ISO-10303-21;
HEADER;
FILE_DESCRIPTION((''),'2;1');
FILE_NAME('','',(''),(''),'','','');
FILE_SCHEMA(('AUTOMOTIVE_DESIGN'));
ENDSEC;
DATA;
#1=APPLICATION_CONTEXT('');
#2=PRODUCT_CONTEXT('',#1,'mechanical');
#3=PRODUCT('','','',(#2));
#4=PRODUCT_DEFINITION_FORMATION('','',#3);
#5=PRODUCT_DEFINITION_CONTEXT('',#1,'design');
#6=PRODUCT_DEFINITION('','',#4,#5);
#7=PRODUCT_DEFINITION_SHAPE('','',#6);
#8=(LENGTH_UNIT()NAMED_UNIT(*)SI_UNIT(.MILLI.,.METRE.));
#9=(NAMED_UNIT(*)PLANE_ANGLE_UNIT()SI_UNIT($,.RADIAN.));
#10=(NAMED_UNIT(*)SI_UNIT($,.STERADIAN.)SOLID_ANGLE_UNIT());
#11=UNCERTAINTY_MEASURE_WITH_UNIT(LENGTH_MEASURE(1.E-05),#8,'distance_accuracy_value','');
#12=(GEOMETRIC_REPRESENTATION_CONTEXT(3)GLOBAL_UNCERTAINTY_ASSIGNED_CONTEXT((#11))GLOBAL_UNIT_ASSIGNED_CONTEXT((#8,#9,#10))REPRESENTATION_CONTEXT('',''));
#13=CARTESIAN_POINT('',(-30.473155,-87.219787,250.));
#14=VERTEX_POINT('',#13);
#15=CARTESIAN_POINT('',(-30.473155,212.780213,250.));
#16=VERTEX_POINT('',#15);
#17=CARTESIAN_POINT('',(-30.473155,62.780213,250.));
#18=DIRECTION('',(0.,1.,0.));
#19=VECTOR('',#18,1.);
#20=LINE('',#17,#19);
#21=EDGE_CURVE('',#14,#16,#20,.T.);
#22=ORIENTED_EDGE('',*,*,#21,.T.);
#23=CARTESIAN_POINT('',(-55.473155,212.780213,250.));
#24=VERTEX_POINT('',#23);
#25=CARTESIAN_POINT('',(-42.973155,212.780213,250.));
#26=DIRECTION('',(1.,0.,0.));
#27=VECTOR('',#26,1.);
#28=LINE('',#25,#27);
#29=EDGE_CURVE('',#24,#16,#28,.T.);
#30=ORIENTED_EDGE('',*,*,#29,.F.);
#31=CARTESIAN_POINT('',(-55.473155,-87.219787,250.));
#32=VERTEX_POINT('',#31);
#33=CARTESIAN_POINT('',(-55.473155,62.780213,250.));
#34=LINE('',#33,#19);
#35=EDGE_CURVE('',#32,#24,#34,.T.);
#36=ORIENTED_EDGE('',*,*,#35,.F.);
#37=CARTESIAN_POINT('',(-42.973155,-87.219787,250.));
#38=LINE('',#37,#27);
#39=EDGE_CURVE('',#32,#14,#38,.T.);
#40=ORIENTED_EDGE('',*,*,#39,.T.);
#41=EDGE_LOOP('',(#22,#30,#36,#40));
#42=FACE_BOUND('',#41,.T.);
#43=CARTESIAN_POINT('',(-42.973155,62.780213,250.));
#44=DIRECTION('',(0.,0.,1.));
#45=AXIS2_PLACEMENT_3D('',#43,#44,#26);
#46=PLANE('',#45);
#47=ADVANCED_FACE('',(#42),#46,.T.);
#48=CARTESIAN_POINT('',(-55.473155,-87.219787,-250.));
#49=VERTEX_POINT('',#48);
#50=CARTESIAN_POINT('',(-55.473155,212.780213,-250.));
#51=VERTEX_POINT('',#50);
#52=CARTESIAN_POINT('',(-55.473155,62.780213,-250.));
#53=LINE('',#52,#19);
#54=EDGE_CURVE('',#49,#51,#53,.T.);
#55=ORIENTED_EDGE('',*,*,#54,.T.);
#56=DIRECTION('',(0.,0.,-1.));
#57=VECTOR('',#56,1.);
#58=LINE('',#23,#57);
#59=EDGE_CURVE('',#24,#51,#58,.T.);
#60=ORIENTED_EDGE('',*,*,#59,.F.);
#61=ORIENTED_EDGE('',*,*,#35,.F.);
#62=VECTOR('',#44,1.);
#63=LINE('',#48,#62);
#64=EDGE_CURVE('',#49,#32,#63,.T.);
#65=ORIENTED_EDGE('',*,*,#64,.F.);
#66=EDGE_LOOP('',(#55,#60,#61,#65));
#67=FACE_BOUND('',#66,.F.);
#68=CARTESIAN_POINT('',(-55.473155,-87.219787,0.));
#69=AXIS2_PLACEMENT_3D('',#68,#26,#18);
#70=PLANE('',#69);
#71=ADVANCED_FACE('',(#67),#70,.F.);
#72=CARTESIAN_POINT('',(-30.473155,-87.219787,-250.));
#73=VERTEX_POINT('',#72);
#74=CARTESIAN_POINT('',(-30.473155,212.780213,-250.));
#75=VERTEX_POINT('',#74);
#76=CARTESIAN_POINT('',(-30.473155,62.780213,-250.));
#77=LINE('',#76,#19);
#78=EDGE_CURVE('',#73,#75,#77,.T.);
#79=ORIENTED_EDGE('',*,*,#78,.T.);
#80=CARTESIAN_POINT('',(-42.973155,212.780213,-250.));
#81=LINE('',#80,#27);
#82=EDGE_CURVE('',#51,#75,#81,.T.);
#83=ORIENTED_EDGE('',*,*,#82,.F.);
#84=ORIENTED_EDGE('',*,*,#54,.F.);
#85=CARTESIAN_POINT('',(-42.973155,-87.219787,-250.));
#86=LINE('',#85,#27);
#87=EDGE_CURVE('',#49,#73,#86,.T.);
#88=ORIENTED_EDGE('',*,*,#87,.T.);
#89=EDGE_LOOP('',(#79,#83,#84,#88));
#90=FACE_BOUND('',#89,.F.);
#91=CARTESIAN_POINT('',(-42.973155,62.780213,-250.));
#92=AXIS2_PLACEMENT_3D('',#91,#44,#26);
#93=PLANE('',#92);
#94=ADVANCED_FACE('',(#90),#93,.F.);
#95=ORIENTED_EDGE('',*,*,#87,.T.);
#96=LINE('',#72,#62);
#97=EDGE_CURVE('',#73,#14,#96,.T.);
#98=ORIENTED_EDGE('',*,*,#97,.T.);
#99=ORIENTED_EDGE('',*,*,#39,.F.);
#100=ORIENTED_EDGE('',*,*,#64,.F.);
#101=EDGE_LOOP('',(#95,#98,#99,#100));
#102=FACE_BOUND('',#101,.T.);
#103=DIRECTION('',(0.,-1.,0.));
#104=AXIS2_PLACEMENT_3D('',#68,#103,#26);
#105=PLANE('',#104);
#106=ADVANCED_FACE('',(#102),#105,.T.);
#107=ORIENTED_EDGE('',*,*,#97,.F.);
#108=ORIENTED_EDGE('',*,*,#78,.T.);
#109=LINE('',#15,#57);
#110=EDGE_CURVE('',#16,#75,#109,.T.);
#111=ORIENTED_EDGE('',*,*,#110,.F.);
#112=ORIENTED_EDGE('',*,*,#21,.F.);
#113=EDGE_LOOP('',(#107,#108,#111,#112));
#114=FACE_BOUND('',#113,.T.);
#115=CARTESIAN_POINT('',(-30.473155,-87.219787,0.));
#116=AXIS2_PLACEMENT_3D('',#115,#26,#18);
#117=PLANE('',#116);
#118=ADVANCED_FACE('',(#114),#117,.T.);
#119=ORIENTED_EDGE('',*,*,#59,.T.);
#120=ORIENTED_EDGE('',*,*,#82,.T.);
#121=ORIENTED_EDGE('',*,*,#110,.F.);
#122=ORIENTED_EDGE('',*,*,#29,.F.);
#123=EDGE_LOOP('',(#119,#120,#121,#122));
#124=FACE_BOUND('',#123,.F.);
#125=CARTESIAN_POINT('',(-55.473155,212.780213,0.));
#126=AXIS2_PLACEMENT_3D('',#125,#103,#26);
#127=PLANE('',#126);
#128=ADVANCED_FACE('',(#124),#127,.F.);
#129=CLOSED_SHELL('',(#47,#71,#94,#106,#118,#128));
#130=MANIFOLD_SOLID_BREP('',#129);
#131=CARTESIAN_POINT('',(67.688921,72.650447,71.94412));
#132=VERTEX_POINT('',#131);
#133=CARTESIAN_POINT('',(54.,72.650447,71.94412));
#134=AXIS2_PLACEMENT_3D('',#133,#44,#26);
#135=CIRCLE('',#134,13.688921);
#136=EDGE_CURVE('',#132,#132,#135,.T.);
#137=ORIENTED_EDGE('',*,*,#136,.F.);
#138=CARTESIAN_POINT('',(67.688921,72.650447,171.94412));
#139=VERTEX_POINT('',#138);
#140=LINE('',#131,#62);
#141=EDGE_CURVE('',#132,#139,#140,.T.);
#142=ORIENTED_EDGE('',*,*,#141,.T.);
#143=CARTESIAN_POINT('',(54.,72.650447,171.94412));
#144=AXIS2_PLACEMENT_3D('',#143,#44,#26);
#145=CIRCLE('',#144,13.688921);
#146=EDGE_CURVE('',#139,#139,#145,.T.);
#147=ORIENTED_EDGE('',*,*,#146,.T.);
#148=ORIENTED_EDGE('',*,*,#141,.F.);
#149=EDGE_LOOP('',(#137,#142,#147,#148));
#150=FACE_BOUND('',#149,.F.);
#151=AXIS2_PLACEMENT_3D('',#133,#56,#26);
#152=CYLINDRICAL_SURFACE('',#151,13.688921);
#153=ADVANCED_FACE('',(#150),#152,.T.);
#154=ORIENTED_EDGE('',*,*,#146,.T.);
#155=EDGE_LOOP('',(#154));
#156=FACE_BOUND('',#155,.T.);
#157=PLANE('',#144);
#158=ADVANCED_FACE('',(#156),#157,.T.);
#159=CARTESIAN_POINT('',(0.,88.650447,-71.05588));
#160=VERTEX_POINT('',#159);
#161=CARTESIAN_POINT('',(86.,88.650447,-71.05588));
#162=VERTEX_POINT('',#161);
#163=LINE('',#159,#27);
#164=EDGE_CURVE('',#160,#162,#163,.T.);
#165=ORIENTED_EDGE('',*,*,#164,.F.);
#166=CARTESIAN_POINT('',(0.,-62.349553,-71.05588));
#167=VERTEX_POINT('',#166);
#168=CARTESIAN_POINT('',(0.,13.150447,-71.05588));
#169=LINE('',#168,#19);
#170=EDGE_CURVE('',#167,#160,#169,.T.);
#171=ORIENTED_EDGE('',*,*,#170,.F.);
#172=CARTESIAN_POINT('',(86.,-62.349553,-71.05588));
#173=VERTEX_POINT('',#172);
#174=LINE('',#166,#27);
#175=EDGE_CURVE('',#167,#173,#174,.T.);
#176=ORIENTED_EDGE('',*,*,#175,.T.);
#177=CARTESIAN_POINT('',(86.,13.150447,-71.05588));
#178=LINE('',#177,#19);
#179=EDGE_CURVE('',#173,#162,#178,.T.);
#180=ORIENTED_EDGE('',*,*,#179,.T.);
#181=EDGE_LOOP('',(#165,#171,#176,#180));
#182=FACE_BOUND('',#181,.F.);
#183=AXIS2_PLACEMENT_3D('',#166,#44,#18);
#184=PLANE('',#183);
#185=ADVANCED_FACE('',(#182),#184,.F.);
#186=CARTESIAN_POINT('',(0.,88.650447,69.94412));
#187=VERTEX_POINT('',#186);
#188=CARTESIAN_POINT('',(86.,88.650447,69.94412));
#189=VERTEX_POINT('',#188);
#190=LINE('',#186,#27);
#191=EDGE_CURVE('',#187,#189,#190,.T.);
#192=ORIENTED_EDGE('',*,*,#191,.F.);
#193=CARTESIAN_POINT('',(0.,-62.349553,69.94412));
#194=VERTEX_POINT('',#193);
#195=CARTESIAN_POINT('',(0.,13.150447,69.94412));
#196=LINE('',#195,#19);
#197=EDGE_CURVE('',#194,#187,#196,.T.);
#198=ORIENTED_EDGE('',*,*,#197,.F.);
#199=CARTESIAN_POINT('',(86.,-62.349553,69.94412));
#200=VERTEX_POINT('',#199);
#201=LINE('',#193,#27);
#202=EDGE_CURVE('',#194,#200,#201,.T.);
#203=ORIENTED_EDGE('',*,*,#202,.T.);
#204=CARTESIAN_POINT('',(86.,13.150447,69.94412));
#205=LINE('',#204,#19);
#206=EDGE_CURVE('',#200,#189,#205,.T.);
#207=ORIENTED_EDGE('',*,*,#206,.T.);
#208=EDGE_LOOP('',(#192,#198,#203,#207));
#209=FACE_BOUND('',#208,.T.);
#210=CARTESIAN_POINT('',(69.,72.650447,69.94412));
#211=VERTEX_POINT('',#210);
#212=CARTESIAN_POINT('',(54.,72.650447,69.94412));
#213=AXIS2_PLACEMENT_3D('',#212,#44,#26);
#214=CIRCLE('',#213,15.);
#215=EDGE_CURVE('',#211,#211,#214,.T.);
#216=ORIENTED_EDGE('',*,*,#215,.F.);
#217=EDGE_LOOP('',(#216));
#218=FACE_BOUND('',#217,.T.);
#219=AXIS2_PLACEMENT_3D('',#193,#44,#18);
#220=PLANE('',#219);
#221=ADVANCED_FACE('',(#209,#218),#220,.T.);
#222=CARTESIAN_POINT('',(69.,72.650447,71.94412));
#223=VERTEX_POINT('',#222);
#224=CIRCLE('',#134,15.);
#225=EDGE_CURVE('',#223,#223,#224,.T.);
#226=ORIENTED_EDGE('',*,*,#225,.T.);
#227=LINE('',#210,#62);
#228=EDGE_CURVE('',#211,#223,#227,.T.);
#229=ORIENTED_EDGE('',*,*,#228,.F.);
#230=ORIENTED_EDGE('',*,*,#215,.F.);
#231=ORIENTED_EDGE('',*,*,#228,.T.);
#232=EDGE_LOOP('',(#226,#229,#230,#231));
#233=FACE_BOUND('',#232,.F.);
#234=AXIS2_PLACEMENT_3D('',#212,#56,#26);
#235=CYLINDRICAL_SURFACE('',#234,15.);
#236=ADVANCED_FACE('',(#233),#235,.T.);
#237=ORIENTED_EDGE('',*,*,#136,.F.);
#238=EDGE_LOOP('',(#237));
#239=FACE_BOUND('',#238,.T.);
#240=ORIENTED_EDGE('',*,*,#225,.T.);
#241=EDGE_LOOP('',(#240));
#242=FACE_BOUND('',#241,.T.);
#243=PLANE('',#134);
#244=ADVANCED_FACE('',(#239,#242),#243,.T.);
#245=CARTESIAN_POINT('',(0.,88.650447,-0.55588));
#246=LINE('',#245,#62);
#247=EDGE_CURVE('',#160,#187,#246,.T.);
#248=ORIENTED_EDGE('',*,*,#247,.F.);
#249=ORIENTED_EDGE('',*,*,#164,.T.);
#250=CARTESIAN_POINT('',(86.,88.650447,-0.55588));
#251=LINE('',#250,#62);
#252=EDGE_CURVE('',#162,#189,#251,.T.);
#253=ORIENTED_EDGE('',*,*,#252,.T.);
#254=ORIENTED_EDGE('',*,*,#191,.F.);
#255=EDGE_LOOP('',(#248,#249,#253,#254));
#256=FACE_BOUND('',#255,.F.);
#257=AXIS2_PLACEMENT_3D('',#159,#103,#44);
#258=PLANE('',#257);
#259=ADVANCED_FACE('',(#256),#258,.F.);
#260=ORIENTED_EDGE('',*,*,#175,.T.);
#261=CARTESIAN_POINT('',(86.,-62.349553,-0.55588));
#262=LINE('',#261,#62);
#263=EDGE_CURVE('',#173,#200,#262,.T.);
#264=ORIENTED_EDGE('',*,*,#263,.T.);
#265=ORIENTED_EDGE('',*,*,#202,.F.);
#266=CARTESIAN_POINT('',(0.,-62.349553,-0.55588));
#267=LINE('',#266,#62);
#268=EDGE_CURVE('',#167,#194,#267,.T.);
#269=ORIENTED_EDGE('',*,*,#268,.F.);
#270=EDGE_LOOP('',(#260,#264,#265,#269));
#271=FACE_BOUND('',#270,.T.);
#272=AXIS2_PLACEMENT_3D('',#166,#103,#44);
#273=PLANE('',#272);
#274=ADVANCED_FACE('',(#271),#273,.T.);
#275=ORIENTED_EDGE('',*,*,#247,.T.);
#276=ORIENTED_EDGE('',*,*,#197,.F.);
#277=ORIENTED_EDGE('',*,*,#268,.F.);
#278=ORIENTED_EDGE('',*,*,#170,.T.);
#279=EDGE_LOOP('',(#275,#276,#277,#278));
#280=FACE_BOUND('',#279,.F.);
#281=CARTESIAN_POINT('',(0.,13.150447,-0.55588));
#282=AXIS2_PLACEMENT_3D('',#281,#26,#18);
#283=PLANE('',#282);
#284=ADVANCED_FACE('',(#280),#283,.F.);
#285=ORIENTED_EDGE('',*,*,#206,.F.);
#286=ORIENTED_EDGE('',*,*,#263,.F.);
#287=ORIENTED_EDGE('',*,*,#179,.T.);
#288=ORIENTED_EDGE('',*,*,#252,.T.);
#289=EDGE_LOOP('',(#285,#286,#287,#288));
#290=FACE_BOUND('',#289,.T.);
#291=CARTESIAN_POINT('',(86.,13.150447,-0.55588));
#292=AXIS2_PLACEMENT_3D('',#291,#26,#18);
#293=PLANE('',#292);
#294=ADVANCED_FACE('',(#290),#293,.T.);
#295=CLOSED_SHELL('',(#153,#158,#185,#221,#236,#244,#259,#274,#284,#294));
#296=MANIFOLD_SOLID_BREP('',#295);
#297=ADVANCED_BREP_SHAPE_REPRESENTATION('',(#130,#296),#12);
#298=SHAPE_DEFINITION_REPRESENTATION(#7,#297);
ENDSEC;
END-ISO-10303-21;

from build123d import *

# Parameters (mm, degrees)
F0_W     = 151
F0_H     = 141
F1_DEPTH = 86
F2_R     = 15
F3_DEPTH = 2
F4_R     = 13.688921
F5_DEPTH = 100
F6_W     = 25
F6_H     = 300
F7_DEPTH = 250


with BuildPart() as f1:
    # F0 (on Right) → F1 (new body)
    with BuildSketch(Plane.YZ):
        with Locations((13.150447, -0.55588)):
            Rectangle(F0_W, F0_H)
    extrude(amount=F1_DEPTH)

    # F2 (on face) → F3 (join)
    with BuildSketch(Plane.XY.offset(69.94412)):
        with Locations((54, 72.650447)):
            Circle(F2_R)
    extrude(amount=F3_DEPTH)

    # F4 (on face) → F5 (join)
    with BuildSketch(Plane.XY.offset(71.94412)):
        with Locations((54, 72.650447)):
            Circle(F4_R)
    extrude(amount=F5_DEPTH)


with BuildPart() as f7:
    # F6 (on Top) → F7 (new body, symmetric)
    with BuildSketch(Plane.XY):
        with Locations((-42.973155, 62.780213)):
            Rectangle(F6_W, F6_H)
    extrude(amount=F7_DEPTH, both=True)


solid = Compound([f1.part, f7.part])
